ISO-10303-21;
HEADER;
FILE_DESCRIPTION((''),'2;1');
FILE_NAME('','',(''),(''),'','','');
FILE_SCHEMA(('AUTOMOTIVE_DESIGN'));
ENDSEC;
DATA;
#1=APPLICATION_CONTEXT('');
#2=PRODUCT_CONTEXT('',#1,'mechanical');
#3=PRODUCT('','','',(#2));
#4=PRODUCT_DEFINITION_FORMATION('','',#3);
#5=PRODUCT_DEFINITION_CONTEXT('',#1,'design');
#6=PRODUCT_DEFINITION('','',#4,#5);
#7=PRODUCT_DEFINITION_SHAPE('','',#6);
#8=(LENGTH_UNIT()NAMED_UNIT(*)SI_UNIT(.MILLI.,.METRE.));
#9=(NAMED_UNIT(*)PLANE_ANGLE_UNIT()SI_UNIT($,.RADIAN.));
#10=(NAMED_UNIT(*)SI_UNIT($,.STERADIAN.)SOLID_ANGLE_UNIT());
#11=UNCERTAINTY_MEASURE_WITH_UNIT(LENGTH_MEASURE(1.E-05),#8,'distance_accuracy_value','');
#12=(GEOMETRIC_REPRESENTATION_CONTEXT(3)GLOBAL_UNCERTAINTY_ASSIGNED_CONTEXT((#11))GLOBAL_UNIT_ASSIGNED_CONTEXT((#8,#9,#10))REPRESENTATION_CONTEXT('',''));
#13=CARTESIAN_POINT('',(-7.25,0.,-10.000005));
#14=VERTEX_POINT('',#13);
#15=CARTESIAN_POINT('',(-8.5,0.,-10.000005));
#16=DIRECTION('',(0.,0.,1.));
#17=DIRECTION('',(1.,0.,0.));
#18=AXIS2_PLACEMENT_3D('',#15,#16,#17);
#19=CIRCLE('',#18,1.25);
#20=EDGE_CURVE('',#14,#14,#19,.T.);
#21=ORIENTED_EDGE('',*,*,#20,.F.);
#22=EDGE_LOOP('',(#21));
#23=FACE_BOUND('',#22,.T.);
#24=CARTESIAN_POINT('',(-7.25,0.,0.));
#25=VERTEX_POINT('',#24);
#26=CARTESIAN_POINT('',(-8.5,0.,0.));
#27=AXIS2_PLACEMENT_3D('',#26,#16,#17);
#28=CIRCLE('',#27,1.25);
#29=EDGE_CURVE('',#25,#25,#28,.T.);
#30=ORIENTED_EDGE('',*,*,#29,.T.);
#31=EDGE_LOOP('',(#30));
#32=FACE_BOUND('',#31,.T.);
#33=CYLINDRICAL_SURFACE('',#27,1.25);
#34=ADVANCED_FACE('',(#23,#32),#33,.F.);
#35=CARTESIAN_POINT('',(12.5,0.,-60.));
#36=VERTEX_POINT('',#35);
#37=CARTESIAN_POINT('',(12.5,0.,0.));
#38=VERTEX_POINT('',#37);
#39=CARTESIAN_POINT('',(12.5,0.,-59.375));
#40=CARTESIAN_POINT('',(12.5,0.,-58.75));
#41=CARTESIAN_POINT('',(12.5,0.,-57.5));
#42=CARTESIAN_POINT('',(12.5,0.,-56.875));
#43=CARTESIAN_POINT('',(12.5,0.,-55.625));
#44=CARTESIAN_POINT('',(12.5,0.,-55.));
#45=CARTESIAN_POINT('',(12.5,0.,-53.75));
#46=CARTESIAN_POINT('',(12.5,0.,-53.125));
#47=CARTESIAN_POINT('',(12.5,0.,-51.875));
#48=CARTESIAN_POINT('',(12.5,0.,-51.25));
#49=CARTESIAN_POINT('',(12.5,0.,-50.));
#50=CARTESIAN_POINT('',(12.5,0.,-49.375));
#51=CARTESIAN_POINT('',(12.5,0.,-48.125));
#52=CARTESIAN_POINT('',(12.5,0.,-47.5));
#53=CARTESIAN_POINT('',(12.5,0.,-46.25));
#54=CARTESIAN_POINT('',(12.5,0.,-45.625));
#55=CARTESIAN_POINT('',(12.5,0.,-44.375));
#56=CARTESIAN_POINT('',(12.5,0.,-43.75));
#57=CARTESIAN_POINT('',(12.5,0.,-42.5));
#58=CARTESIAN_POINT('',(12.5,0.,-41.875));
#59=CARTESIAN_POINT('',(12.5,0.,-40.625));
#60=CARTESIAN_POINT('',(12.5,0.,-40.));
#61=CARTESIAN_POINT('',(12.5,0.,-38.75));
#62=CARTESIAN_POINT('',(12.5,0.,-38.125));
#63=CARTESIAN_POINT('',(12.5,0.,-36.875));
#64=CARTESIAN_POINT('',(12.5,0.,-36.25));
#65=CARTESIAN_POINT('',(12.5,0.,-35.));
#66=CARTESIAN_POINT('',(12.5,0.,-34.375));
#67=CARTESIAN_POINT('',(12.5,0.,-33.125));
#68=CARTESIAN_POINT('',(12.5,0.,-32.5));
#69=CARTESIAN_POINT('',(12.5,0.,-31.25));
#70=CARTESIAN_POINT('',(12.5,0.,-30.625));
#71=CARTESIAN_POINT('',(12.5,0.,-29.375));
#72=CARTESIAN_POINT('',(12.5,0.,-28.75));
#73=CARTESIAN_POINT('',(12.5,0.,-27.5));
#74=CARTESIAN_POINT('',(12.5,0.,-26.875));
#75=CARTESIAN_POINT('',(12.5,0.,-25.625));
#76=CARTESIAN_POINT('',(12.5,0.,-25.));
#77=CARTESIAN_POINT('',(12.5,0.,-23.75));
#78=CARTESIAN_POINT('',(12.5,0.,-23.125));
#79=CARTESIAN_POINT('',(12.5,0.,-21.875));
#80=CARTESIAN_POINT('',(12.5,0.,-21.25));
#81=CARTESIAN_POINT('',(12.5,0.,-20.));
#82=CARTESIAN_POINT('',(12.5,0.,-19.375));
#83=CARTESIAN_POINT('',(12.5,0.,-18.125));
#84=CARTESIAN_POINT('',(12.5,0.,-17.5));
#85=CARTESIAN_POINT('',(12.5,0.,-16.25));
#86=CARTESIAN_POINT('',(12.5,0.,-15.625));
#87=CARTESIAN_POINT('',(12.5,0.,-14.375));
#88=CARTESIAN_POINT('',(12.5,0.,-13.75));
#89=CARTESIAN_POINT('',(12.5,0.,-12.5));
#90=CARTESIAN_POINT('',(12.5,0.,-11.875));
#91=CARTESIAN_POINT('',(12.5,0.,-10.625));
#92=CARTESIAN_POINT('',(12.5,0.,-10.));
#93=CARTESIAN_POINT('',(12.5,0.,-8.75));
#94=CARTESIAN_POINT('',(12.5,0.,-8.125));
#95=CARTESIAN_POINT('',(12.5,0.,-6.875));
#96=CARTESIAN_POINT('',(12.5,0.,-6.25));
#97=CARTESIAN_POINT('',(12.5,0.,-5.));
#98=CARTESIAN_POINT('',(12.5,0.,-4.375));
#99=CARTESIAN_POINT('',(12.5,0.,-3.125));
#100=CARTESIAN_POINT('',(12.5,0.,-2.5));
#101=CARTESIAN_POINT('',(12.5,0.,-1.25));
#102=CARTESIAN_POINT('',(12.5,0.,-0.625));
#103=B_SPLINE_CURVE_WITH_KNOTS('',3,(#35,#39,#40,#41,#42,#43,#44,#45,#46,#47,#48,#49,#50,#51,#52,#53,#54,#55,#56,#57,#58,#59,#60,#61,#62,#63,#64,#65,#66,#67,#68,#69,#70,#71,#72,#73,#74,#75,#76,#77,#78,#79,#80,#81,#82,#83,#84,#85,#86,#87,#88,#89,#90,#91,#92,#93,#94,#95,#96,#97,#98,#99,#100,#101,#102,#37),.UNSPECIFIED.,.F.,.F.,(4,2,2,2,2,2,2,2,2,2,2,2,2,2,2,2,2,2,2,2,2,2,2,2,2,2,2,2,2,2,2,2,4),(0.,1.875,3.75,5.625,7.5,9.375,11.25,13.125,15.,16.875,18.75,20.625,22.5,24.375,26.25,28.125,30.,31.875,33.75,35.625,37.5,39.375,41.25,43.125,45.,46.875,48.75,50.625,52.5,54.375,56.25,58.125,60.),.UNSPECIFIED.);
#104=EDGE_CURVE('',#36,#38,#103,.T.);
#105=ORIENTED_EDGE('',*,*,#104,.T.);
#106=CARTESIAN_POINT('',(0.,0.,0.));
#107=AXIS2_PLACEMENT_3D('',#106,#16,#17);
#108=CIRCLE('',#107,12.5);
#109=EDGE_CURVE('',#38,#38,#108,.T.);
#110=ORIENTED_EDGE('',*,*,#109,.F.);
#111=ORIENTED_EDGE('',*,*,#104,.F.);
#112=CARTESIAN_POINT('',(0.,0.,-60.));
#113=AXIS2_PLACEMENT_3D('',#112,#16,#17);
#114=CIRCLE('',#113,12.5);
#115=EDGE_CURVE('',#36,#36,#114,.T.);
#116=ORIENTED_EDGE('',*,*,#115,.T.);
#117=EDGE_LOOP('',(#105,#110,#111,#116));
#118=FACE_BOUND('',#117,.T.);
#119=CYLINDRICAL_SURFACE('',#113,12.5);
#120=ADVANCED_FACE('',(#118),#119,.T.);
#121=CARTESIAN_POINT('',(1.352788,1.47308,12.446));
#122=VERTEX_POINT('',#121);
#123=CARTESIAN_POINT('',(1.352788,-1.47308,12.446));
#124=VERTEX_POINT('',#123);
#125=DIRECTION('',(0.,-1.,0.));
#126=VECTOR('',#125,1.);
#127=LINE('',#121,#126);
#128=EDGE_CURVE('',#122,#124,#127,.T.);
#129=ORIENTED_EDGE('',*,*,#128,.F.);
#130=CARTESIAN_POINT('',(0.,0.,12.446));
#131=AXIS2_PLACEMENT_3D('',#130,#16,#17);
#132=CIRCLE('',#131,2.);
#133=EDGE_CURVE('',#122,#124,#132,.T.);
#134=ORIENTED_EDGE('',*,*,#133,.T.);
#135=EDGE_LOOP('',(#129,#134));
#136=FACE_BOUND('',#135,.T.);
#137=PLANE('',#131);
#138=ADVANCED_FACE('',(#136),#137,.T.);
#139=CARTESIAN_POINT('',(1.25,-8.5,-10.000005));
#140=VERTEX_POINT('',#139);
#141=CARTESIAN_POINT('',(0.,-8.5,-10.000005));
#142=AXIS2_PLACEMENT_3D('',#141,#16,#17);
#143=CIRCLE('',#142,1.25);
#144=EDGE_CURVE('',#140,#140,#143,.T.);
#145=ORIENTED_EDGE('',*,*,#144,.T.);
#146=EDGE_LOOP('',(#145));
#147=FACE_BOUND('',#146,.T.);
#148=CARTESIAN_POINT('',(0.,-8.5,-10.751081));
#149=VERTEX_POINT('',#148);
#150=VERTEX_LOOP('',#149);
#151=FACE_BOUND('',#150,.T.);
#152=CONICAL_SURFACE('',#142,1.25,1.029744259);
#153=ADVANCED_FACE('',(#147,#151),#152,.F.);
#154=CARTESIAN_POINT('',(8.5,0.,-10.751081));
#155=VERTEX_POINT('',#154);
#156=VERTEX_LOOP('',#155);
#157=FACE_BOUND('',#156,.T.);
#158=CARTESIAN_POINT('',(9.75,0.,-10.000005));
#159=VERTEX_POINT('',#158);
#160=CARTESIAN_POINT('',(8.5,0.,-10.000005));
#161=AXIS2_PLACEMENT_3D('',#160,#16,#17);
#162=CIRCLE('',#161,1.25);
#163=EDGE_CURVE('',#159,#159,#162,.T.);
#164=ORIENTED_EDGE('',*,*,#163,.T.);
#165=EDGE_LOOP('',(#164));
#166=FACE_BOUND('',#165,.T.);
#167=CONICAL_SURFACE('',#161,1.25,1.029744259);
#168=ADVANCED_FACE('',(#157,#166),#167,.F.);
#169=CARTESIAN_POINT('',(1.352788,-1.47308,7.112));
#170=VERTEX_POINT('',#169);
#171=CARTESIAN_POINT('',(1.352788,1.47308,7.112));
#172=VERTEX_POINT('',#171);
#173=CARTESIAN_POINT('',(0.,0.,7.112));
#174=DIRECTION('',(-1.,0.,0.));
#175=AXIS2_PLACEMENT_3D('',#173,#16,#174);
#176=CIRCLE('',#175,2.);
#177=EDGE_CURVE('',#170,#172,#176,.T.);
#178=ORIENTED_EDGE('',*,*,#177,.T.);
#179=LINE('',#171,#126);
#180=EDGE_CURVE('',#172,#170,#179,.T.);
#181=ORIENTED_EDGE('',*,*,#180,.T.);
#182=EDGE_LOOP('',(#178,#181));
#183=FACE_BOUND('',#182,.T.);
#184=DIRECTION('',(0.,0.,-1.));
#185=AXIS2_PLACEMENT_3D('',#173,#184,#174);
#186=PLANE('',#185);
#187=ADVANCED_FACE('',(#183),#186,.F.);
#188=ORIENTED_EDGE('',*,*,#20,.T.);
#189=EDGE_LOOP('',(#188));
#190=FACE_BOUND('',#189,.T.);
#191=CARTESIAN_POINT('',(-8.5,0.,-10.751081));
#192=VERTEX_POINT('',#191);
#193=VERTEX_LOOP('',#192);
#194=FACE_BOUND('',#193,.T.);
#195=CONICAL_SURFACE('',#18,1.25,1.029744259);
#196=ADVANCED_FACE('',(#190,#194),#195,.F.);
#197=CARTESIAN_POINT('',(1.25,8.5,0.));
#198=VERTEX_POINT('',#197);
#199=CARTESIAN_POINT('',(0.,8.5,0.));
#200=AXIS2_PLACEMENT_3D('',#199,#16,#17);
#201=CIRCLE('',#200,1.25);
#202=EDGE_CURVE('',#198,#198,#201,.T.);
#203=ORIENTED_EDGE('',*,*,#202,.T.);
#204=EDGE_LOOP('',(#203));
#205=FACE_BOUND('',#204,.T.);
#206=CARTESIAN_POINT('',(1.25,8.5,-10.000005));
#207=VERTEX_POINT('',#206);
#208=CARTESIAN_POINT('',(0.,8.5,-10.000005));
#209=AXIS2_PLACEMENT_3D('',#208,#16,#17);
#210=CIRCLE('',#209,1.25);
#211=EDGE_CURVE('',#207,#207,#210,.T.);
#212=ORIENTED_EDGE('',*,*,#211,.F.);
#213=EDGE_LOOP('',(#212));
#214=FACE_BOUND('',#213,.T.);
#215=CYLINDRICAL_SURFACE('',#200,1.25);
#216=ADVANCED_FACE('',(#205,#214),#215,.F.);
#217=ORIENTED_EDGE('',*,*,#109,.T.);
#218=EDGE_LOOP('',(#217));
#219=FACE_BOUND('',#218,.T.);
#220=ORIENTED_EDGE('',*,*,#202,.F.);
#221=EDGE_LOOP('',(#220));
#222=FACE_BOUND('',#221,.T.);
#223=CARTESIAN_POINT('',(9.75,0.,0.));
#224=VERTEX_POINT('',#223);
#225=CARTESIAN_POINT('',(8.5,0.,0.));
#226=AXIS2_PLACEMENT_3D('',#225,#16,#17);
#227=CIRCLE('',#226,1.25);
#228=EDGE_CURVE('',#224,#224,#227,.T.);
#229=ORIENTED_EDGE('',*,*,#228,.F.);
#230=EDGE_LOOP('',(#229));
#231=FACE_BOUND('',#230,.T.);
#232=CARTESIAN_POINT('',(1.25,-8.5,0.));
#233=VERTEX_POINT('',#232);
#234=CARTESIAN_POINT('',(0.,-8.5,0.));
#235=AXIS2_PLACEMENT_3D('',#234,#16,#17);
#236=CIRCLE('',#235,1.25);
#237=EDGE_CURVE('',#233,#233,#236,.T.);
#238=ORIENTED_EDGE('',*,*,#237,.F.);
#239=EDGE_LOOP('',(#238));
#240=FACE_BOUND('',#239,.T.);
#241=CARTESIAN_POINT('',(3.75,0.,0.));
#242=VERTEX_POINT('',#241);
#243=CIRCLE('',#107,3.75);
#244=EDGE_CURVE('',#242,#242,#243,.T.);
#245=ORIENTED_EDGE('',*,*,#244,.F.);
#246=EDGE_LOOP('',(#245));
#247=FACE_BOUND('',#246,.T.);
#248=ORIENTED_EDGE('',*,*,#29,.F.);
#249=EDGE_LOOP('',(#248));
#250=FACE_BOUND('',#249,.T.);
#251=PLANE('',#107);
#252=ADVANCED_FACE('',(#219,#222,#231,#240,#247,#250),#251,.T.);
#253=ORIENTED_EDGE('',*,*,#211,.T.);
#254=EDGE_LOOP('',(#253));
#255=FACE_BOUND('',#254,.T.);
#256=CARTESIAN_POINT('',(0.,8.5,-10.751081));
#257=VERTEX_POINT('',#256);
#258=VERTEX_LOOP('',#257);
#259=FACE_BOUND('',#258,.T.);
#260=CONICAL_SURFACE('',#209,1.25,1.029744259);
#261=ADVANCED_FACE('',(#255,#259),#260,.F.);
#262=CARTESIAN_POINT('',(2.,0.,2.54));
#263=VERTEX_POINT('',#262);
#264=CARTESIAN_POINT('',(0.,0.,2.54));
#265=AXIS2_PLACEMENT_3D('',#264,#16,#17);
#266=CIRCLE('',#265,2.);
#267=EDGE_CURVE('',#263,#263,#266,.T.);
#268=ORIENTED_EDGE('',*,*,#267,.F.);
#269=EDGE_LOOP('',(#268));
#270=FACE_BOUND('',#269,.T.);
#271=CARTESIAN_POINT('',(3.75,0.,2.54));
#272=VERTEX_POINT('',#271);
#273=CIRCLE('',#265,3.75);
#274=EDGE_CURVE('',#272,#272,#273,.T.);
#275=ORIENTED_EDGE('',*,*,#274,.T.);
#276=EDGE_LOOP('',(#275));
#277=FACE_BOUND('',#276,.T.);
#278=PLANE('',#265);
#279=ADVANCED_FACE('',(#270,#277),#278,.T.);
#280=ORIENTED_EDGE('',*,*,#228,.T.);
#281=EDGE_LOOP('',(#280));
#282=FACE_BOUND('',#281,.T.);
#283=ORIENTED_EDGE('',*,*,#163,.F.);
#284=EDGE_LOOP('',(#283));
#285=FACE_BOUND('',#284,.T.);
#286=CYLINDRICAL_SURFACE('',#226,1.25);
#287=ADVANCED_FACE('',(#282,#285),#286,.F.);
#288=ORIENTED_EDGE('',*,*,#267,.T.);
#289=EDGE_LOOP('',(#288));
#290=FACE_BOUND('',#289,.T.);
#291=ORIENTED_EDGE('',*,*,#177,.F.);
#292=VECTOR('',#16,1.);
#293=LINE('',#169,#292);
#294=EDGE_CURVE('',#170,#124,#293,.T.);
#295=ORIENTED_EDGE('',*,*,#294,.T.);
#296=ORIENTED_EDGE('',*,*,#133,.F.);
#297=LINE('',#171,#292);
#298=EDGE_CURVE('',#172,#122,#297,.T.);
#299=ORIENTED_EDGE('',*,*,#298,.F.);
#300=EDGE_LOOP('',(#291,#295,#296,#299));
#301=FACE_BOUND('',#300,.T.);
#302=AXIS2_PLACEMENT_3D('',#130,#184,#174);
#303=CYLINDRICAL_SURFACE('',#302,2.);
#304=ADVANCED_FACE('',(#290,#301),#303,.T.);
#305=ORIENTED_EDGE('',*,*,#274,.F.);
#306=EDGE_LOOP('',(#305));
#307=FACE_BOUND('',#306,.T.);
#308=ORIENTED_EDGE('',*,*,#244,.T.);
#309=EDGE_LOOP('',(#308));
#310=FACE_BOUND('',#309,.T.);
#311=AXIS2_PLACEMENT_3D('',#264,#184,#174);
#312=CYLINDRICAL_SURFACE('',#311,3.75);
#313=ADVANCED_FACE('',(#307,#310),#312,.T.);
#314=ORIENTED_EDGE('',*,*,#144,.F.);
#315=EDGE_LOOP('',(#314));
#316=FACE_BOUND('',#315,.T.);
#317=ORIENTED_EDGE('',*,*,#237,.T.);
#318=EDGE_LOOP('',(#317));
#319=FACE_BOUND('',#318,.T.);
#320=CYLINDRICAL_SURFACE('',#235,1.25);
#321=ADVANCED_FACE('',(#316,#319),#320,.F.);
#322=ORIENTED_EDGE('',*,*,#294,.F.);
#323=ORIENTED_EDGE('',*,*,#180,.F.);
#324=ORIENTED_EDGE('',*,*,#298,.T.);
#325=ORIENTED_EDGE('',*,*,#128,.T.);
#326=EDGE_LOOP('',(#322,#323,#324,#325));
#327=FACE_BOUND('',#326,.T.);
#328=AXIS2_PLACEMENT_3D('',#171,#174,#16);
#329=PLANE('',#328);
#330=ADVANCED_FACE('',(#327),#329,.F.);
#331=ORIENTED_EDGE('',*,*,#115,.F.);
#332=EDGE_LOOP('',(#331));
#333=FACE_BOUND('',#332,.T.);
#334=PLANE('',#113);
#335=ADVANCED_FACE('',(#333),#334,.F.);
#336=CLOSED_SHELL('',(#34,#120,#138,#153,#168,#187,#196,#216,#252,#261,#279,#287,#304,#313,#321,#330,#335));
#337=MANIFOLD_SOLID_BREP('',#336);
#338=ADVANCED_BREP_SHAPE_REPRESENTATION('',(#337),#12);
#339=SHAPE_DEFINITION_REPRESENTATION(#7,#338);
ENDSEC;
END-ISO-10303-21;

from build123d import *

# Parameters (mm, degrees)
SKETCH1_R                       = 12.5
BOSS_EXTRUDE1_DEPTH             = 60
SKETCH4_R                       = 2
BOSS_EXTRUDE3_DEPTH             = 12.446
SKETCH5_R                       = 3.75
BOSS_EXTRUDE4_DEPTH             = 2.54
CUT_EXTRUDE2_START              = -5.334
CUT_EXTRUDE2_DEPTH              = 5.334
TAP_DRILL_FOR_M3X0_5_TAP1_D     = 2.5
TAP_DRILL_FOR_M3X0_5_TAP1_DEPTH = 10.0000054
TAP_DRILL_FOR_M3X0_5_TAP1_TIP   = 0.751075774


with BuildPart() as part:
    # Sketch1 → Boss-Extrude1 (new body)
    with BuildSketch(Plane.XY):
        Circle(SKETCH1_R)
    extrude(amount=-BOSS_EXTRUDE1_DEPTH)

    # Sketch4 → Boss-Extrude3 (add)
    with BuildSketch(Plane.XY):
        Circle(SKETCH4_R)
    extrude(amount=BOSS_EXTRUDE3_DEPTH)

    # Sketch5 → Boss-Extrude4 (add)
    with BuildSketch(Plane.XY):
        Circle(SKETCH5_R)
    extrude(amount=BOSS_EXTRUDE4_DEPTH)

    # Sketch6 → Cut-Extrude2 (cut)
    with BuildSketch(Plane.XY.offset(12.446).offset(CUT_EXTRUDE2_START)):
        with BuildLine():
            Line((1.35278764, 1.473080311), (1.35278764, -1.473080311))
            ThreePointArc((1.35278764, -1.473080311), (2, 0), (1.35278764, 1.473080311))
        make_face()
    extrude(amount=CUT_EXTRUDE2_DEPTH, mode=Mode.SUBTRACT)

    # Tap Drill for M3x0.5 Tap1
    with Locations(Plane.XY):
        with Locations((0, 8.5), (8.5, 0), (0, -8.5), (-8.5, 0)):
            Hole(TAP_DRILL_FOR_M3X0_5_TAP1_D / 2, depth=TAP_DRILL_FOR_M3X0_5_TAP1_DEPTH)
            with Locations((0, 0, -(TAP_DRILL_FOR_M3X0_5_TAP1_DEPTH + TAP_DRILL_FOR_M3X0_5_TAP1_TIP / 2))):  # 118° drill point
                Cone(0, TAP_DRILL_FOR_M3X0_5_TAP1_D / 2, TAP_DRILL_FOR_M3X0_5_TAP1_TIP, mode=Mode.SUBTRACT)


solid = part.part
